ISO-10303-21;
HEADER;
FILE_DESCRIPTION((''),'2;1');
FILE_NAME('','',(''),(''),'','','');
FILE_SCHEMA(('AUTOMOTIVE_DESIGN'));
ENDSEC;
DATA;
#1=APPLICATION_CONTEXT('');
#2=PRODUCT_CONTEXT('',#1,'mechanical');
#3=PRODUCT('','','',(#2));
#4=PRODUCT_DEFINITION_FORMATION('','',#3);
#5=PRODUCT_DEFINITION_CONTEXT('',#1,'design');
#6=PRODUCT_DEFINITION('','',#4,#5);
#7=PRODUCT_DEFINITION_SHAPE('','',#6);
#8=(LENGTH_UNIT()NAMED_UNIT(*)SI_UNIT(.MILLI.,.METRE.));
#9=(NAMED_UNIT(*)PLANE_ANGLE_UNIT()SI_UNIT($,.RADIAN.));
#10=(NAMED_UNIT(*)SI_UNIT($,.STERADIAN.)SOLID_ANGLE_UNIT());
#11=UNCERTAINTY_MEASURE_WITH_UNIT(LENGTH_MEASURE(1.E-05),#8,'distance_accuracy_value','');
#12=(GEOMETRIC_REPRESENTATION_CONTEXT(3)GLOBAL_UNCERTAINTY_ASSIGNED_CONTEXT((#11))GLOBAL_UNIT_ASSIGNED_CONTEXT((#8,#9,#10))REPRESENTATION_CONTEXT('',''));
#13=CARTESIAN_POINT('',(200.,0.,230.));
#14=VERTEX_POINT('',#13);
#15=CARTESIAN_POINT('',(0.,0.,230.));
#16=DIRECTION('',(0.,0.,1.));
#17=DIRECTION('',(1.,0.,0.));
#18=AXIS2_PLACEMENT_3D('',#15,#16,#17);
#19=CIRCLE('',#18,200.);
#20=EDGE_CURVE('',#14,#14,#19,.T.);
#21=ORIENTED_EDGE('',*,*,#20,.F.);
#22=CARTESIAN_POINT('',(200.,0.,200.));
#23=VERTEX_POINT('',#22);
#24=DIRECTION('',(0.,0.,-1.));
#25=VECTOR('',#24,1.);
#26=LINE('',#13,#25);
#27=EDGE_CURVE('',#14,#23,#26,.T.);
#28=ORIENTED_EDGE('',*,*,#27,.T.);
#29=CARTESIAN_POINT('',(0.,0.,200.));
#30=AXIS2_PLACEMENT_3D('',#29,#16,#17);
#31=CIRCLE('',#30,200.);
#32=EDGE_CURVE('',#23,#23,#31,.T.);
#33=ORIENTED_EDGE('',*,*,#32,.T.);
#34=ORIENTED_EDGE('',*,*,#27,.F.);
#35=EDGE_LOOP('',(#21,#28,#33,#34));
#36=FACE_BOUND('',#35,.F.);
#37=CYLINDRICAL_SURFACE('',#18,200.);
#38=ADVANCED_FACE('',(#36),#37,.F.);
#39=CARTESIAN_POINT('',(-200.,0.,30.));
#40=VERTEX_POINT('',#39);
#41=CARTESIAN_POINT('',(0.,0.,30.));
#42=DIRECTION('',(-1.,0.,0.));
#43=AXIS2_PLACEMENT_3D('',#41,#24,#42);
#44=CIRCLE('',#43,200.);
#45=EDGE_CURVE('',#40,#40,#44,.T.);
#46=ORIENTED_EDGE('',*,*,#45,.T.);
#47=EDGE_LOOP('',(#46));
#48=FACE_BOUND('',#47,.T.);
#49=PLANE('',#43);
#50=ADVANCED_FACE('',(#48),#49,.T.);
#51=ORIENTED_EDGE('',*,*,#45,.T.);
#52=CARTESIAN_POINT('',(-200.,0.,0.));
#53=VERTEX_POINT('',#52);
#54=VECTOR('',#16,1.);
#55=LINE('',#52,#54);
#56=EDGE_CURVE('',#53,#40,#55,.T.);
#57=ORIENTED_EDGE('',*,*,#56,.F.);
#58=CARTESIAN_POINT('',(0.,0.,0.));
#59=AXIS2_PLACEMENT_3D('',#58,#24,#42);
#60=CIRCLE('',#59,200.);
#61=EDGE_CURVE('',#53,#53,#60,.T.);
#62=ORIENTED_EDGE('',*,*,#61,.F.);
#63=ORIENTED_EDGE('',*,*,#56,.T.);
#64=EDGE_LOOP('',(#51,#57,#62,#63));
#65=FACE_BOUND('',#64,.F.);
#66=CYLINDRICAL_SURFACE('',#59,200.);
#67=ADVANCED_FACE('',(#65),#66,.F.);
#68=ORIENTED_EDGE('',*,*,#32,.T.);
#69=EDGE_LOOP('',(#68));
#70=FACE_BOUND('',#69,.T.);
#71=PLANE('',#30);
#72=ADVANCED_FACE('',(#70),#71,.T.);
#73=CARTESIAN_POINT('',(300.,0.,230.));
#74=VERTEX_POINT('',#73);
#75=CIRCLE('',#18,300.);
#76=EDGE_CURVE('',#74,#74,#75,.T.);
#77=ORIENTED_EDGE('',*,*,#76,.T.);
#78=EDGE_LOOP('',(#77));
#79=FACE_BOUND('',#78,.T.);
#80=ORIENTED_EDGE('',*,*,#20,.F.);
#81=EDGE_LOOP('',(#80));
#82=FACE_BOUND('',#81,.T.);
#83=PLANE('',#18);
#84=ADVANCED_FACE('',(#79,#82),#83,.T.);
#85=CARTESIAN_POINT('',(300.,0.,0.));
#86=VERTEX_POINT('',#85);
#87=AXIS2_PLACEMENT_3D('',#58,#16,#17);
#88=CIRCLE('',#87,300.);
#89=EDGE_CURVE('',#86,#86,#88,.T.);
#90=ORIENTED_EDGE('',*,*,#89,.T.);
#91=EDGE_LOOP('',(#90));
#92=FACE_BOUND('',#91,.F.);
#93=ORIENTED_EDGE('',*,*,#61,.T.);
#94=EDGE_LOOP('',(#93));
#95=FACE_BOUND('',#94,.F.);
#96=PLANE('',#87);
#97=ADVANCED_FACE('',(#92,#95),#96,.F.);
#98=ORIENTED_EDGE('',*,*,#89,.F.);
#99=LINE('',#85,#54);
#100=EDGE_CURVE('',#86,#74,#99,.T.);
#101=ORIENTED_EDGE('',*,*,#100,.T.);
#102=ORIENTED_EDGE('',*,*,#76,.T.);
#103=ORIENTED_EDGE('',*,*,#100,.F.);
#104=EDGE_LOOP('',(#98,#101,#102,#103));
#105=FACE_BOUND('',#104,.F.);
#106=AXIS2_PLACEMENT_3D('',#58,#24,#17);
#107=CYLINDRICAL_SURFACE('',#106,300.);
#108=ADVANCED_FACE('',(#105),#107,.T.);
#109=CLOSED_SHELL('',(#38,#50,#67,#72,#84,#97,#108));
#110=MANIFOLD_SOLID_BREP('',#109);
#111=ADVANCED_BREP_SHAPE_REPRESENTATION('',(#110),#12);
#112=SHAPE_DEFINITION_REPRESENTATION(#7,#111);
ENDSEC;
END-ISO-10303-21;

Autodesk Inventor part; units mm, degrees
ref_plane "YZ Plane" through (0, 0, 0) normal (1, 0, 0) x (0, 1, 0)
ref_plane "XZ Plane" through (0, 0, 0) normal (0, 1, 0) x (-1, 0, 0)
ref_plane "XY Plane" through (0, 0, 0) normal (0, 0, 1) x (1, 0, 0)
sketch "Esquisse2" plane through (0, 0, 0) normal (0, 0, 1) x (1, 0, 0)
  circle A0 centre (0, 0) radius 300
  dimension "d3" = 600
extrude "Extrusion2" add sketch "Esquisse2" along normal blind 230
sketch "Esquisse3" plane through (0, 0, 230) normal (0, 0, 1) x (1, 0, 0)
  circle A0 centre (0, 0) radius 200
  dimension "d6" = 400
extrude "Extrusion3" cut sketch "Esquisse3" against normal blind 30
sketch "Esquisse4" plane through (0, 0, 0) normal (0, 0, -1) x (-1, 0, 0)
  circle A0 centre (0, 0) radius 200
  dimension "d9" = 400
extrude "Extrusion4" cut sketch "Esquisse4" against normal blind 30
properties part number "roue"
